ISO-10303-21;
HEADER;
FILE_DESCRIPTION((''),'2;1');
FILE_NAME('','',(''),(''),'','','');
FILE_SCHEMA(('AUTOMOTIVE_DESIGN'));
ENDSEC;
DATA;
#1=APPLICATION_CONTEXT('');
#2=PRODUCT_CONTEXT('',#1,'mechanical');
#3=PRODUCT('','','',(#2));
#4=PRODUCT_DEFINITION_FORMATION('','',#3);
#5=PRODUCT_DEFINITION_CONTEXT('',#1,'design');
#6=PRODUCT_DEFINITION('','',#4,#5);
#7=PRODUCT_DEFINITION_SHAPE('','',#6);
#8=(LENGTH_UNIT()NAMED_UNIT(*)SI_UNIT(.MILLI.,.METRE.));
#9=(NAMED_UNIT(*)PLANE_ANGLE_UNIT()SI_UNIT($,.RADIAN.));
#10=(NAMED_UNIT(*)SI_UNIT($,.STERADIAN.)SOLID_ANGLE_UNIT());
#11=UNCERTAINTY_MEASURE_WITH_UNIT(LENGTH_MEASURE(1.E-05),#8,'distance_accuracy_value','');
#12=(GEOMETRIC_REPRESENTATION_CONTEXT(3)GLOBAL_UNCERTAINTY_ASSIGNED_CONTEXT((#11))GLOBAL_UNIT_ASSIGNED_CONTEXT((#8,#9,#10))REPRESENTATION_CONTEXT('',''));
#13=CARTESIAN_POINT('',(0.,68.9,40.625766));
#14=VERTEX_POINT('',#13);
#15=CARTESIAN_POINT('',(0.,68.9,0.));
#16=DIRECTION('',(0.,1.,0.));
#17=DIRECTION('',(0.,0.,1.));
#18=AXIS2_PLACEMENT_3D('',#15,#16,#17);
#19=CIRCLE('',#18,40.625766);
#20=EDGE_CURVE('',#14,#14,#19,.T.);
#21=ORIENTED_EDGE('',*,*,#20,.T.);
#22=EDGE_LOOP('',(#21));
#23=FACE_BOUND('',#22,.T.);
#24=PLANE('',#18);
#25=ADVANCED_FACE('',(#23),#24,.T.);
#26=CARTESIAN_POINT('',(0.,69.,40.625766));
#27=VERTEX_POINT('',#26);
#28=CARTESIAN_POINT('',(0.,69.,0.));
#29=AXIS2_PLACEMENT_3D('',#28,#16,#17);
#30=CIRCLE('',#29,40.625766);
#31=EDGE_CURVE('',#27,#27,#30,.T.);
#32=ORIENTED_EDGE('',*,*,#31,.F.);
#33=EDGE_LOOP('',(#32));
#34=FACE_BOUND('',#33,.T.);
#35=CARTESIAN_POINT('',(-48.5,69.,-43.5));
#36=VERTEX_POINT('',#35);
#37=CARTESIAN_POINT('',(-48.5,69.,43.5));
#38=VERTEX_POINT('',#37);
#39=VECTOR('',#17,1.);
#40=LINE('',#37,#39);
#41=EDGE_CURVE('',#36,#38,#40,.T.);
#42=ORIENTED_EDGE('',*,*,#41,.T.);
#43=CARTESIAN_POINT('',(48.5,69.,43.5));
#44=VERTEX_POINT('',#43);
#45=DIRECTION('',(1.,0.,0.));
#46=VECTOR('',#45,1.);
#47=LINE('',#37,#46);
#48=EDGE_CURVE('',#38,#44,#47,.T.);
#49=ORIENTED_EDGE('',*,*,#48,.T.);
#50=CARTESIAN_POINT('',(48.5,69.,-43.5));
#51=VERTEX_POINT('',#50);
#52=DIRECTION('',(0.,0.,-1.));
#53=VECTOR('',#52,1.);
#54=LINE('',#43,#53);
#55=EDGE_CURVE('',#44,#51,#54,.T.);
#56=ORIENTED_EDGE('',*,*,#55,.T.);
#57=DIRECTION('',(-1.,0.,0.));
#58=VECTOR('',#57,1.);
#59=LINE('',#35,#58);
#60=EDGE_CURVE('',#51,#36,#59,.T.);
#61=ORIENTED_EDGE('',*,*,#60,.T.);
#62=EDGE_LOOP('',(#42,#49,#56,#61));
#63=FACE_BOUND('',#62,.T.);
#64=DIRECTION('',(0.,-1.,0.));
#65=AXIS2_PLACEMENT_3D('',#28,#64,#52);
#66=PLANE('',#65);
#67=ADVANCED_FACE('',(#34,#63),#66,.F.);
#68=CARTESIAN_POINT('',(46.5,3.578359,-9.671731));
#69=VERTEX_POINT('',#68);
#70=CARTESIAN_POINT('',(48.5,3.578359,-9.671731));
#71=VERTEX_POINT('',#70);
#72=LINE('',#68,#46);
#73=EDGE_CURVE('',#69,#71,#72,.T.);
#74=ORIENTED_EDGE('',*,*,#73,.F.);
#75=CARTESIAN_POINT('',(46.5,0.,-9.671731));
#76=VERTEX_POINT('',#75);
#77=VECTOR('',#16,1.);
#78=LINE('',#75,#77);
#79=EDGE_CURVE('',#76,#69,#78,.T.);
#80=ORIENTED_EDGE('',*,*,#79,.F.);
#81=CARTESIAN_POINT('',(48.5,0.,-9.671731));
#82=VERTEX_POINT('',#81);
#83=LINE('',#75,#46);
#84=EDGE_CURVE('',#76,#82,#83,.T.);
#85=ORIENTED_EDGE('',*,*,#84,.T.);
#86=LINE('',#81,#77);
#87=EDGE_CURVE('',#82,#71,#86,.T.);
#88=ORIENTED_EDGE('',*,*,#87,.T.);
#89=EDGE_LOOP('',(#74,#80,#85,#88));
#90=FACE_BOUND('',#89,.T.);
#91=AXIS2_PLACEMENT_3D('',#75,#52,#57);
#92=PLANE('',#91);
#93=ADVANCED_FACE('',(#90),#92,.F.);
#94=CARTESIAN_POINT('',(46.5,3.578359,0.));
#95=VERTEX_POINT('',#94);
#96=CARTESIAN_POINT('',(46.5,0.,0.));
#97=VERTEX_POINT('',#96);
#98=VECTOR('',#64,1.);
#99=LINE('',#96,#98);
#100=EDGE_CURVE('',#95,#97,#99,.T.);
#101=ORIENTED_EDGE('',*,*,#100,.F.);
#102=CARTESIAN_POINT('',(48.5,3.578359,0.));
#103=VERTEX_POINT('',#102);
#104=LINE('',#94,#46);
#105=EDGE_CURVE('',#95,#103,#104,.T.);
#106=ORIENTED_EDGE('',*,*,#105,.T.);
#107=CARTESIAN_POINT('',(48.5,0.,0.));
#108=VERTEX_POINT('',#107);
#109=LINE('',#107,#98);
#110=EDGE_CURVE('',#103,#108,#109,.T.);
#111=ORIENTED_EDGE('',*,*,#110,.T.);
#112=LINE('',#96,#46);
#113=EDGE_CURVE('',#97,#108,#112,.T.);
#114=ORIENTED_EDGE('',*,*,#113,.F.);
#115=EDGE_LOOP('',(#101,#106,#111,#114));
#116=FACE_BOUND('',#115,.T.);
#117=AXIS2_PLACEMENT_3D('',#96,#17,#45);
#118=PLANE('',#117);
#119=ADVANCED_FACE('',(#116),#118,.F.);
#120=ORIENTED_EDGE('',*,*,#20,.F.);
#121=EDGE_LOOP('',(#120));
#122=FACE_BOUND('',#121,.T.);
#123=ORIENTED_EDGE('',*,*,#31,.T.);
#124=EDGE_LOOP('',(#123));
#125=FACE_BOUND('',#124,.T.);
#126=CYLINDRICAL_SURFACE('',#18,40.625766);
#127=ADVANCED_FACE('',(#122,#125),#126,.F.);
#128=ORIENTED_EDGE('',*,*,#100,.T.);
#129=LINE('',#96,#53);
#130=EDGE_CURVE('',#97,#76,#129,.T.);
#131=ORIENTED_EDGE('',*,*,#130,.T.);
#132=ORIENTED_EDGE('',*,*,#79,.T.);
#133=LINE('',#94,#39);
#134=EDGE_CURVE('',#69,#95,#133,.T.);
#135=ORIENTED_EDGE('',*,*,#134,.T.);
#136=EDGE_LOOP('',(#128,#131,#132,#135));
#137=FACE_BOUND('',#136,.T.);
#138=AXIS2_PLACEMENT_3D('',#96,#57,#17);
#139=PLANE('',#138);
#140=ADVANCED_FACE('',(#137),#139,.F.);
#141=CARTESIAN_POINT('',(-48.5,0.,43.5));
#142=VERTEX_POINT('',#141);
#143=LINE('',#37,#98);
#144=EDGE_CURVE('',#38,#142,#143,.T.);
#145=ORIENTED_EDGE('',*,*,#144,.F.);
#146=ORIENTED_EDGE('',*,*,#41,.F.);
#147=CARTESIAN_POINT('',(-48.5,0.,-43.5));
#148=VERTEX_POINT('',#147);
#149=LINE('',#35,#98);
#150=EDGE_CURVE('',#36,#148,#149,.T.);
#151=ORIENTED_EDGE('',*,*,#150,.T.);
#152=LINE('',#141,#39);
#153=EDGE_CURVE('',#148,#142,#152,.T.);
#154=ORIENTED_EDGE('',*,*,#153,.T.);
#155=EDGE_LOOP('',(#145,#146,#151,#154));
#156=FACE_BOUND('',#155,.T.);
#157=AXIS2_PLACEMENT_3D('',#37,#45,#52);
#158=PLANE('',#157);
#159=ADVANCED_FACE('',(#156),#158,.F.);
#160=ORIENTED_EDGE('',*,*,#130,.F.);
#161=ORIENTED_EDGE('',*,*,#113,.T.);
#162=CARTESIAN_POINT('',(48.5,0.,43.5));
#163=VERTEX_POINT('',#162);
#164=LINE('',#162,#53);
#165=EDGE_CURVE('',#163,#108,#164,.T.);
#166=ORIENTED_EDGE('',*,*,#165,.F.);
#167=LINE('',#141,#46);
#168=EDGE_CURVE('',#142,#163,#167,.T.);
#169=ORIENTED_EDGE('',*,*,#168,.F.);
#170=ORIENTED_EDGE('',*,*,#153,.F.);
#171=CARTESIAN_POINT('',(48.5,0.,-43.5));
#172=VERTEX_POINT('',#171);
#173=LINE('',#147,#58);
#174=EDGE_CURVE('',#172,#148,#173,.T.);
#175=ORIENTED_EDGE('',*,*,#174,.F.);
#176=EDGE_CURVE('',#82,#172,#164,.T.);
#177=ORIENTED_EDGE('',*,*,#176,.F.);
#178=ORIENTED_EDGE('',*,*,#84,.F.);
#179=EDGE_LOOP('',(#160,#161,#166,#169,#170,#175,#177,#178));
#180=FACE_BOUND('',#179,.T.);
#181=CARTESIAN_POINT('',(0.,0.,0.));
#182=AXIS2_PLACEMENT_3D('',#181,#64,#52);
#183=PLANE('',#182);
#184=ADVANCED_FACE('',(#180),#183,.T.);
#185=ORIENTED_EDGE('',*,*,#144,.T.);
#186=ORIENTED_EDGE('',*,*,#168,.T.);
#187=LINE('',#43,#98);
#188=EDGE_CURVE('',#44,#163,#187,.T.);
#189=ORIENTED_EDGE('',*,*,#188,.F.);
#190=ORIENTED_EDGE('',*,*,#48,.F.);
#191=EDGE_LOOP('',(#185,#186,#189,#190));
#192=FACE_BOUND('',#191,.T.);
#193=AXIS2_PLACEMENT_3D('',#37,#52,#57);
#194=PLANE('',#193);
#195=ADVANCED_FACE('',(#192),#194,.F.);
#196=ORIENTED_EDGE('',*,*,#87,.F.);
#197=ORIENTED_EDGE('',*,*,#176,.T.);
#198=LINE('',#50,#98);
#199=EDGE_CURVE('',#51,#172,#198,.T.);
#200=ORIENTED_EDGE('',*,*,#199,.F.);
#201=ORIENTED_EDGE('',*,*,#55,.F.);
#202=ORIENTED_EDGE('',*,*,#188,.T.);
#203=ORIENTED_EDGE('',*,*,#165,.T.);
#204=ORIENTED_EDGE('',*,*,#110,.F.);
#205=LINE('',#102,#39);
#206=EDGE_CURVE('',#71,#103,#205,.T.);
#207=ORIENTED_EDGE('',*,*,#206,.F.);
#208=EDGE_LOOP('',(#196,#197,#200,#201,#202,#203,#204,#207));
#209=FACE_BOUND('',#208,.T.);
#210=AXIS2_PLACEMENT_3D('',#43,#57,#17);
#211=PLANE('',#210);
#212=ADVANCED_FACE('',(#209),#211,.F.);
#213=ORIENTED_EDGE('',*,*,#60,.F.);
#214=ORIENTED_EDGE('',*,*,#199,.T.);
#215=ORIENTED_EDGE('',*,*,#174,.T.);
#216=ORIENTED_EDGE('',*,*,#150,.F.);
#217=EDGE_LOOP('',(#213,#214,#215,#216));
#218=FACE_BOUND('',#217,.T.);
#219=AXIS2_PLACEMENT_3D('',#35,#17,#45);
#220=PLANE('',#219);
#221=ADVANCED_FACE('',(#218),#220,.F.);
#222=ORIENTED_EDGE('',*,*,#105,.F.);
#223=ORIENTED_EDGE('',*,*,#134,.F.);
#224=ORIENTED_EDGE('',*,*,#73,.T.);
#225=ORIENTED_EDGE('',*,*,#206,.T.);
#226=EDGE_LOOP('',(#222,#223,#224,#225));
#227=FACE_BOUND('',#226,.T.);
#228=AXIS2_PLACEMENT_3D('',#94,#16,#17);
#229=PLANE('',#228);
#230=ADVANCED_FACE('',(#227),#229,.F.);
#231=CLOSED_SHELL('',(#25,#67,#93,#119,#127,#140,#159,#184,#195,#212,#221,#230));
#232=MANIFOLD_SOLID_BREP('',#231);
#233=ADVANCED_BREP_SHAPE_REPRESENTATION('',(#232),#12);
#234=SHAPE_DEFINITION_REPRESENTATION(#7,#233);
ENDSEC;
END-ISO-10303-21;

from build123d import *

# Parameters (mm, degrees)
CROQUIS1_W              = 97
CROQUIS1_H              = 87
SALIENTE_EXTRUIR1_DEPTH = 69
CROQUIS2_R              = 40.625765917
CORTAR_EXTRUIR1_DEPTH   = 0.1
CROQUIS3_W              = 9.671731422
CROQUIS3_H              = 3.578358675
CORTAR_EXTRUIR2_DEPTH   = 2


with BuildPart() as part:
    # Croquis1 → Saliente-Extruir1 (new body)
    with BuildSketch(Plane(origin=(0, 0, 0), x_dir=(1, 0, 0), z_dir=(0, 1, 0))):
        Rectangle(CROQUIS1_W, CROQUIS1_H)
    extrude(amount=SALIENTE_EXTRUIR1_DEPTH)

    # Croquis2 → Cortar-Extruir1 (cut)
    with BuildSketch(Plane(origin=(0, 69, 0), x_dir=(1, 0, 0), z_dir=(0, 1, 0))):
        Circle(CROQUIS2_R)
    extrude(amount=-CORTAR_EXTRUIR1_DEPTH, mode=Mode.SUBTRACT)

    # Croquis3 → Cortar-Extruir2 (cut)
    with BuildSketch(Plane(origin=(48.5, 0, 0), x_dir=(0, 0, -1), z_dir=(1, 0, 0))):
        with Locations((4.835865711, 1.789179338)):
            Rectangle(CROQUIS3_W, CROQUIS3_H)
    extrude(amount=-CORTAR_EXTRUIR2_DEPTH, mode=Mode.SUBTRACT)


solid = part.part
